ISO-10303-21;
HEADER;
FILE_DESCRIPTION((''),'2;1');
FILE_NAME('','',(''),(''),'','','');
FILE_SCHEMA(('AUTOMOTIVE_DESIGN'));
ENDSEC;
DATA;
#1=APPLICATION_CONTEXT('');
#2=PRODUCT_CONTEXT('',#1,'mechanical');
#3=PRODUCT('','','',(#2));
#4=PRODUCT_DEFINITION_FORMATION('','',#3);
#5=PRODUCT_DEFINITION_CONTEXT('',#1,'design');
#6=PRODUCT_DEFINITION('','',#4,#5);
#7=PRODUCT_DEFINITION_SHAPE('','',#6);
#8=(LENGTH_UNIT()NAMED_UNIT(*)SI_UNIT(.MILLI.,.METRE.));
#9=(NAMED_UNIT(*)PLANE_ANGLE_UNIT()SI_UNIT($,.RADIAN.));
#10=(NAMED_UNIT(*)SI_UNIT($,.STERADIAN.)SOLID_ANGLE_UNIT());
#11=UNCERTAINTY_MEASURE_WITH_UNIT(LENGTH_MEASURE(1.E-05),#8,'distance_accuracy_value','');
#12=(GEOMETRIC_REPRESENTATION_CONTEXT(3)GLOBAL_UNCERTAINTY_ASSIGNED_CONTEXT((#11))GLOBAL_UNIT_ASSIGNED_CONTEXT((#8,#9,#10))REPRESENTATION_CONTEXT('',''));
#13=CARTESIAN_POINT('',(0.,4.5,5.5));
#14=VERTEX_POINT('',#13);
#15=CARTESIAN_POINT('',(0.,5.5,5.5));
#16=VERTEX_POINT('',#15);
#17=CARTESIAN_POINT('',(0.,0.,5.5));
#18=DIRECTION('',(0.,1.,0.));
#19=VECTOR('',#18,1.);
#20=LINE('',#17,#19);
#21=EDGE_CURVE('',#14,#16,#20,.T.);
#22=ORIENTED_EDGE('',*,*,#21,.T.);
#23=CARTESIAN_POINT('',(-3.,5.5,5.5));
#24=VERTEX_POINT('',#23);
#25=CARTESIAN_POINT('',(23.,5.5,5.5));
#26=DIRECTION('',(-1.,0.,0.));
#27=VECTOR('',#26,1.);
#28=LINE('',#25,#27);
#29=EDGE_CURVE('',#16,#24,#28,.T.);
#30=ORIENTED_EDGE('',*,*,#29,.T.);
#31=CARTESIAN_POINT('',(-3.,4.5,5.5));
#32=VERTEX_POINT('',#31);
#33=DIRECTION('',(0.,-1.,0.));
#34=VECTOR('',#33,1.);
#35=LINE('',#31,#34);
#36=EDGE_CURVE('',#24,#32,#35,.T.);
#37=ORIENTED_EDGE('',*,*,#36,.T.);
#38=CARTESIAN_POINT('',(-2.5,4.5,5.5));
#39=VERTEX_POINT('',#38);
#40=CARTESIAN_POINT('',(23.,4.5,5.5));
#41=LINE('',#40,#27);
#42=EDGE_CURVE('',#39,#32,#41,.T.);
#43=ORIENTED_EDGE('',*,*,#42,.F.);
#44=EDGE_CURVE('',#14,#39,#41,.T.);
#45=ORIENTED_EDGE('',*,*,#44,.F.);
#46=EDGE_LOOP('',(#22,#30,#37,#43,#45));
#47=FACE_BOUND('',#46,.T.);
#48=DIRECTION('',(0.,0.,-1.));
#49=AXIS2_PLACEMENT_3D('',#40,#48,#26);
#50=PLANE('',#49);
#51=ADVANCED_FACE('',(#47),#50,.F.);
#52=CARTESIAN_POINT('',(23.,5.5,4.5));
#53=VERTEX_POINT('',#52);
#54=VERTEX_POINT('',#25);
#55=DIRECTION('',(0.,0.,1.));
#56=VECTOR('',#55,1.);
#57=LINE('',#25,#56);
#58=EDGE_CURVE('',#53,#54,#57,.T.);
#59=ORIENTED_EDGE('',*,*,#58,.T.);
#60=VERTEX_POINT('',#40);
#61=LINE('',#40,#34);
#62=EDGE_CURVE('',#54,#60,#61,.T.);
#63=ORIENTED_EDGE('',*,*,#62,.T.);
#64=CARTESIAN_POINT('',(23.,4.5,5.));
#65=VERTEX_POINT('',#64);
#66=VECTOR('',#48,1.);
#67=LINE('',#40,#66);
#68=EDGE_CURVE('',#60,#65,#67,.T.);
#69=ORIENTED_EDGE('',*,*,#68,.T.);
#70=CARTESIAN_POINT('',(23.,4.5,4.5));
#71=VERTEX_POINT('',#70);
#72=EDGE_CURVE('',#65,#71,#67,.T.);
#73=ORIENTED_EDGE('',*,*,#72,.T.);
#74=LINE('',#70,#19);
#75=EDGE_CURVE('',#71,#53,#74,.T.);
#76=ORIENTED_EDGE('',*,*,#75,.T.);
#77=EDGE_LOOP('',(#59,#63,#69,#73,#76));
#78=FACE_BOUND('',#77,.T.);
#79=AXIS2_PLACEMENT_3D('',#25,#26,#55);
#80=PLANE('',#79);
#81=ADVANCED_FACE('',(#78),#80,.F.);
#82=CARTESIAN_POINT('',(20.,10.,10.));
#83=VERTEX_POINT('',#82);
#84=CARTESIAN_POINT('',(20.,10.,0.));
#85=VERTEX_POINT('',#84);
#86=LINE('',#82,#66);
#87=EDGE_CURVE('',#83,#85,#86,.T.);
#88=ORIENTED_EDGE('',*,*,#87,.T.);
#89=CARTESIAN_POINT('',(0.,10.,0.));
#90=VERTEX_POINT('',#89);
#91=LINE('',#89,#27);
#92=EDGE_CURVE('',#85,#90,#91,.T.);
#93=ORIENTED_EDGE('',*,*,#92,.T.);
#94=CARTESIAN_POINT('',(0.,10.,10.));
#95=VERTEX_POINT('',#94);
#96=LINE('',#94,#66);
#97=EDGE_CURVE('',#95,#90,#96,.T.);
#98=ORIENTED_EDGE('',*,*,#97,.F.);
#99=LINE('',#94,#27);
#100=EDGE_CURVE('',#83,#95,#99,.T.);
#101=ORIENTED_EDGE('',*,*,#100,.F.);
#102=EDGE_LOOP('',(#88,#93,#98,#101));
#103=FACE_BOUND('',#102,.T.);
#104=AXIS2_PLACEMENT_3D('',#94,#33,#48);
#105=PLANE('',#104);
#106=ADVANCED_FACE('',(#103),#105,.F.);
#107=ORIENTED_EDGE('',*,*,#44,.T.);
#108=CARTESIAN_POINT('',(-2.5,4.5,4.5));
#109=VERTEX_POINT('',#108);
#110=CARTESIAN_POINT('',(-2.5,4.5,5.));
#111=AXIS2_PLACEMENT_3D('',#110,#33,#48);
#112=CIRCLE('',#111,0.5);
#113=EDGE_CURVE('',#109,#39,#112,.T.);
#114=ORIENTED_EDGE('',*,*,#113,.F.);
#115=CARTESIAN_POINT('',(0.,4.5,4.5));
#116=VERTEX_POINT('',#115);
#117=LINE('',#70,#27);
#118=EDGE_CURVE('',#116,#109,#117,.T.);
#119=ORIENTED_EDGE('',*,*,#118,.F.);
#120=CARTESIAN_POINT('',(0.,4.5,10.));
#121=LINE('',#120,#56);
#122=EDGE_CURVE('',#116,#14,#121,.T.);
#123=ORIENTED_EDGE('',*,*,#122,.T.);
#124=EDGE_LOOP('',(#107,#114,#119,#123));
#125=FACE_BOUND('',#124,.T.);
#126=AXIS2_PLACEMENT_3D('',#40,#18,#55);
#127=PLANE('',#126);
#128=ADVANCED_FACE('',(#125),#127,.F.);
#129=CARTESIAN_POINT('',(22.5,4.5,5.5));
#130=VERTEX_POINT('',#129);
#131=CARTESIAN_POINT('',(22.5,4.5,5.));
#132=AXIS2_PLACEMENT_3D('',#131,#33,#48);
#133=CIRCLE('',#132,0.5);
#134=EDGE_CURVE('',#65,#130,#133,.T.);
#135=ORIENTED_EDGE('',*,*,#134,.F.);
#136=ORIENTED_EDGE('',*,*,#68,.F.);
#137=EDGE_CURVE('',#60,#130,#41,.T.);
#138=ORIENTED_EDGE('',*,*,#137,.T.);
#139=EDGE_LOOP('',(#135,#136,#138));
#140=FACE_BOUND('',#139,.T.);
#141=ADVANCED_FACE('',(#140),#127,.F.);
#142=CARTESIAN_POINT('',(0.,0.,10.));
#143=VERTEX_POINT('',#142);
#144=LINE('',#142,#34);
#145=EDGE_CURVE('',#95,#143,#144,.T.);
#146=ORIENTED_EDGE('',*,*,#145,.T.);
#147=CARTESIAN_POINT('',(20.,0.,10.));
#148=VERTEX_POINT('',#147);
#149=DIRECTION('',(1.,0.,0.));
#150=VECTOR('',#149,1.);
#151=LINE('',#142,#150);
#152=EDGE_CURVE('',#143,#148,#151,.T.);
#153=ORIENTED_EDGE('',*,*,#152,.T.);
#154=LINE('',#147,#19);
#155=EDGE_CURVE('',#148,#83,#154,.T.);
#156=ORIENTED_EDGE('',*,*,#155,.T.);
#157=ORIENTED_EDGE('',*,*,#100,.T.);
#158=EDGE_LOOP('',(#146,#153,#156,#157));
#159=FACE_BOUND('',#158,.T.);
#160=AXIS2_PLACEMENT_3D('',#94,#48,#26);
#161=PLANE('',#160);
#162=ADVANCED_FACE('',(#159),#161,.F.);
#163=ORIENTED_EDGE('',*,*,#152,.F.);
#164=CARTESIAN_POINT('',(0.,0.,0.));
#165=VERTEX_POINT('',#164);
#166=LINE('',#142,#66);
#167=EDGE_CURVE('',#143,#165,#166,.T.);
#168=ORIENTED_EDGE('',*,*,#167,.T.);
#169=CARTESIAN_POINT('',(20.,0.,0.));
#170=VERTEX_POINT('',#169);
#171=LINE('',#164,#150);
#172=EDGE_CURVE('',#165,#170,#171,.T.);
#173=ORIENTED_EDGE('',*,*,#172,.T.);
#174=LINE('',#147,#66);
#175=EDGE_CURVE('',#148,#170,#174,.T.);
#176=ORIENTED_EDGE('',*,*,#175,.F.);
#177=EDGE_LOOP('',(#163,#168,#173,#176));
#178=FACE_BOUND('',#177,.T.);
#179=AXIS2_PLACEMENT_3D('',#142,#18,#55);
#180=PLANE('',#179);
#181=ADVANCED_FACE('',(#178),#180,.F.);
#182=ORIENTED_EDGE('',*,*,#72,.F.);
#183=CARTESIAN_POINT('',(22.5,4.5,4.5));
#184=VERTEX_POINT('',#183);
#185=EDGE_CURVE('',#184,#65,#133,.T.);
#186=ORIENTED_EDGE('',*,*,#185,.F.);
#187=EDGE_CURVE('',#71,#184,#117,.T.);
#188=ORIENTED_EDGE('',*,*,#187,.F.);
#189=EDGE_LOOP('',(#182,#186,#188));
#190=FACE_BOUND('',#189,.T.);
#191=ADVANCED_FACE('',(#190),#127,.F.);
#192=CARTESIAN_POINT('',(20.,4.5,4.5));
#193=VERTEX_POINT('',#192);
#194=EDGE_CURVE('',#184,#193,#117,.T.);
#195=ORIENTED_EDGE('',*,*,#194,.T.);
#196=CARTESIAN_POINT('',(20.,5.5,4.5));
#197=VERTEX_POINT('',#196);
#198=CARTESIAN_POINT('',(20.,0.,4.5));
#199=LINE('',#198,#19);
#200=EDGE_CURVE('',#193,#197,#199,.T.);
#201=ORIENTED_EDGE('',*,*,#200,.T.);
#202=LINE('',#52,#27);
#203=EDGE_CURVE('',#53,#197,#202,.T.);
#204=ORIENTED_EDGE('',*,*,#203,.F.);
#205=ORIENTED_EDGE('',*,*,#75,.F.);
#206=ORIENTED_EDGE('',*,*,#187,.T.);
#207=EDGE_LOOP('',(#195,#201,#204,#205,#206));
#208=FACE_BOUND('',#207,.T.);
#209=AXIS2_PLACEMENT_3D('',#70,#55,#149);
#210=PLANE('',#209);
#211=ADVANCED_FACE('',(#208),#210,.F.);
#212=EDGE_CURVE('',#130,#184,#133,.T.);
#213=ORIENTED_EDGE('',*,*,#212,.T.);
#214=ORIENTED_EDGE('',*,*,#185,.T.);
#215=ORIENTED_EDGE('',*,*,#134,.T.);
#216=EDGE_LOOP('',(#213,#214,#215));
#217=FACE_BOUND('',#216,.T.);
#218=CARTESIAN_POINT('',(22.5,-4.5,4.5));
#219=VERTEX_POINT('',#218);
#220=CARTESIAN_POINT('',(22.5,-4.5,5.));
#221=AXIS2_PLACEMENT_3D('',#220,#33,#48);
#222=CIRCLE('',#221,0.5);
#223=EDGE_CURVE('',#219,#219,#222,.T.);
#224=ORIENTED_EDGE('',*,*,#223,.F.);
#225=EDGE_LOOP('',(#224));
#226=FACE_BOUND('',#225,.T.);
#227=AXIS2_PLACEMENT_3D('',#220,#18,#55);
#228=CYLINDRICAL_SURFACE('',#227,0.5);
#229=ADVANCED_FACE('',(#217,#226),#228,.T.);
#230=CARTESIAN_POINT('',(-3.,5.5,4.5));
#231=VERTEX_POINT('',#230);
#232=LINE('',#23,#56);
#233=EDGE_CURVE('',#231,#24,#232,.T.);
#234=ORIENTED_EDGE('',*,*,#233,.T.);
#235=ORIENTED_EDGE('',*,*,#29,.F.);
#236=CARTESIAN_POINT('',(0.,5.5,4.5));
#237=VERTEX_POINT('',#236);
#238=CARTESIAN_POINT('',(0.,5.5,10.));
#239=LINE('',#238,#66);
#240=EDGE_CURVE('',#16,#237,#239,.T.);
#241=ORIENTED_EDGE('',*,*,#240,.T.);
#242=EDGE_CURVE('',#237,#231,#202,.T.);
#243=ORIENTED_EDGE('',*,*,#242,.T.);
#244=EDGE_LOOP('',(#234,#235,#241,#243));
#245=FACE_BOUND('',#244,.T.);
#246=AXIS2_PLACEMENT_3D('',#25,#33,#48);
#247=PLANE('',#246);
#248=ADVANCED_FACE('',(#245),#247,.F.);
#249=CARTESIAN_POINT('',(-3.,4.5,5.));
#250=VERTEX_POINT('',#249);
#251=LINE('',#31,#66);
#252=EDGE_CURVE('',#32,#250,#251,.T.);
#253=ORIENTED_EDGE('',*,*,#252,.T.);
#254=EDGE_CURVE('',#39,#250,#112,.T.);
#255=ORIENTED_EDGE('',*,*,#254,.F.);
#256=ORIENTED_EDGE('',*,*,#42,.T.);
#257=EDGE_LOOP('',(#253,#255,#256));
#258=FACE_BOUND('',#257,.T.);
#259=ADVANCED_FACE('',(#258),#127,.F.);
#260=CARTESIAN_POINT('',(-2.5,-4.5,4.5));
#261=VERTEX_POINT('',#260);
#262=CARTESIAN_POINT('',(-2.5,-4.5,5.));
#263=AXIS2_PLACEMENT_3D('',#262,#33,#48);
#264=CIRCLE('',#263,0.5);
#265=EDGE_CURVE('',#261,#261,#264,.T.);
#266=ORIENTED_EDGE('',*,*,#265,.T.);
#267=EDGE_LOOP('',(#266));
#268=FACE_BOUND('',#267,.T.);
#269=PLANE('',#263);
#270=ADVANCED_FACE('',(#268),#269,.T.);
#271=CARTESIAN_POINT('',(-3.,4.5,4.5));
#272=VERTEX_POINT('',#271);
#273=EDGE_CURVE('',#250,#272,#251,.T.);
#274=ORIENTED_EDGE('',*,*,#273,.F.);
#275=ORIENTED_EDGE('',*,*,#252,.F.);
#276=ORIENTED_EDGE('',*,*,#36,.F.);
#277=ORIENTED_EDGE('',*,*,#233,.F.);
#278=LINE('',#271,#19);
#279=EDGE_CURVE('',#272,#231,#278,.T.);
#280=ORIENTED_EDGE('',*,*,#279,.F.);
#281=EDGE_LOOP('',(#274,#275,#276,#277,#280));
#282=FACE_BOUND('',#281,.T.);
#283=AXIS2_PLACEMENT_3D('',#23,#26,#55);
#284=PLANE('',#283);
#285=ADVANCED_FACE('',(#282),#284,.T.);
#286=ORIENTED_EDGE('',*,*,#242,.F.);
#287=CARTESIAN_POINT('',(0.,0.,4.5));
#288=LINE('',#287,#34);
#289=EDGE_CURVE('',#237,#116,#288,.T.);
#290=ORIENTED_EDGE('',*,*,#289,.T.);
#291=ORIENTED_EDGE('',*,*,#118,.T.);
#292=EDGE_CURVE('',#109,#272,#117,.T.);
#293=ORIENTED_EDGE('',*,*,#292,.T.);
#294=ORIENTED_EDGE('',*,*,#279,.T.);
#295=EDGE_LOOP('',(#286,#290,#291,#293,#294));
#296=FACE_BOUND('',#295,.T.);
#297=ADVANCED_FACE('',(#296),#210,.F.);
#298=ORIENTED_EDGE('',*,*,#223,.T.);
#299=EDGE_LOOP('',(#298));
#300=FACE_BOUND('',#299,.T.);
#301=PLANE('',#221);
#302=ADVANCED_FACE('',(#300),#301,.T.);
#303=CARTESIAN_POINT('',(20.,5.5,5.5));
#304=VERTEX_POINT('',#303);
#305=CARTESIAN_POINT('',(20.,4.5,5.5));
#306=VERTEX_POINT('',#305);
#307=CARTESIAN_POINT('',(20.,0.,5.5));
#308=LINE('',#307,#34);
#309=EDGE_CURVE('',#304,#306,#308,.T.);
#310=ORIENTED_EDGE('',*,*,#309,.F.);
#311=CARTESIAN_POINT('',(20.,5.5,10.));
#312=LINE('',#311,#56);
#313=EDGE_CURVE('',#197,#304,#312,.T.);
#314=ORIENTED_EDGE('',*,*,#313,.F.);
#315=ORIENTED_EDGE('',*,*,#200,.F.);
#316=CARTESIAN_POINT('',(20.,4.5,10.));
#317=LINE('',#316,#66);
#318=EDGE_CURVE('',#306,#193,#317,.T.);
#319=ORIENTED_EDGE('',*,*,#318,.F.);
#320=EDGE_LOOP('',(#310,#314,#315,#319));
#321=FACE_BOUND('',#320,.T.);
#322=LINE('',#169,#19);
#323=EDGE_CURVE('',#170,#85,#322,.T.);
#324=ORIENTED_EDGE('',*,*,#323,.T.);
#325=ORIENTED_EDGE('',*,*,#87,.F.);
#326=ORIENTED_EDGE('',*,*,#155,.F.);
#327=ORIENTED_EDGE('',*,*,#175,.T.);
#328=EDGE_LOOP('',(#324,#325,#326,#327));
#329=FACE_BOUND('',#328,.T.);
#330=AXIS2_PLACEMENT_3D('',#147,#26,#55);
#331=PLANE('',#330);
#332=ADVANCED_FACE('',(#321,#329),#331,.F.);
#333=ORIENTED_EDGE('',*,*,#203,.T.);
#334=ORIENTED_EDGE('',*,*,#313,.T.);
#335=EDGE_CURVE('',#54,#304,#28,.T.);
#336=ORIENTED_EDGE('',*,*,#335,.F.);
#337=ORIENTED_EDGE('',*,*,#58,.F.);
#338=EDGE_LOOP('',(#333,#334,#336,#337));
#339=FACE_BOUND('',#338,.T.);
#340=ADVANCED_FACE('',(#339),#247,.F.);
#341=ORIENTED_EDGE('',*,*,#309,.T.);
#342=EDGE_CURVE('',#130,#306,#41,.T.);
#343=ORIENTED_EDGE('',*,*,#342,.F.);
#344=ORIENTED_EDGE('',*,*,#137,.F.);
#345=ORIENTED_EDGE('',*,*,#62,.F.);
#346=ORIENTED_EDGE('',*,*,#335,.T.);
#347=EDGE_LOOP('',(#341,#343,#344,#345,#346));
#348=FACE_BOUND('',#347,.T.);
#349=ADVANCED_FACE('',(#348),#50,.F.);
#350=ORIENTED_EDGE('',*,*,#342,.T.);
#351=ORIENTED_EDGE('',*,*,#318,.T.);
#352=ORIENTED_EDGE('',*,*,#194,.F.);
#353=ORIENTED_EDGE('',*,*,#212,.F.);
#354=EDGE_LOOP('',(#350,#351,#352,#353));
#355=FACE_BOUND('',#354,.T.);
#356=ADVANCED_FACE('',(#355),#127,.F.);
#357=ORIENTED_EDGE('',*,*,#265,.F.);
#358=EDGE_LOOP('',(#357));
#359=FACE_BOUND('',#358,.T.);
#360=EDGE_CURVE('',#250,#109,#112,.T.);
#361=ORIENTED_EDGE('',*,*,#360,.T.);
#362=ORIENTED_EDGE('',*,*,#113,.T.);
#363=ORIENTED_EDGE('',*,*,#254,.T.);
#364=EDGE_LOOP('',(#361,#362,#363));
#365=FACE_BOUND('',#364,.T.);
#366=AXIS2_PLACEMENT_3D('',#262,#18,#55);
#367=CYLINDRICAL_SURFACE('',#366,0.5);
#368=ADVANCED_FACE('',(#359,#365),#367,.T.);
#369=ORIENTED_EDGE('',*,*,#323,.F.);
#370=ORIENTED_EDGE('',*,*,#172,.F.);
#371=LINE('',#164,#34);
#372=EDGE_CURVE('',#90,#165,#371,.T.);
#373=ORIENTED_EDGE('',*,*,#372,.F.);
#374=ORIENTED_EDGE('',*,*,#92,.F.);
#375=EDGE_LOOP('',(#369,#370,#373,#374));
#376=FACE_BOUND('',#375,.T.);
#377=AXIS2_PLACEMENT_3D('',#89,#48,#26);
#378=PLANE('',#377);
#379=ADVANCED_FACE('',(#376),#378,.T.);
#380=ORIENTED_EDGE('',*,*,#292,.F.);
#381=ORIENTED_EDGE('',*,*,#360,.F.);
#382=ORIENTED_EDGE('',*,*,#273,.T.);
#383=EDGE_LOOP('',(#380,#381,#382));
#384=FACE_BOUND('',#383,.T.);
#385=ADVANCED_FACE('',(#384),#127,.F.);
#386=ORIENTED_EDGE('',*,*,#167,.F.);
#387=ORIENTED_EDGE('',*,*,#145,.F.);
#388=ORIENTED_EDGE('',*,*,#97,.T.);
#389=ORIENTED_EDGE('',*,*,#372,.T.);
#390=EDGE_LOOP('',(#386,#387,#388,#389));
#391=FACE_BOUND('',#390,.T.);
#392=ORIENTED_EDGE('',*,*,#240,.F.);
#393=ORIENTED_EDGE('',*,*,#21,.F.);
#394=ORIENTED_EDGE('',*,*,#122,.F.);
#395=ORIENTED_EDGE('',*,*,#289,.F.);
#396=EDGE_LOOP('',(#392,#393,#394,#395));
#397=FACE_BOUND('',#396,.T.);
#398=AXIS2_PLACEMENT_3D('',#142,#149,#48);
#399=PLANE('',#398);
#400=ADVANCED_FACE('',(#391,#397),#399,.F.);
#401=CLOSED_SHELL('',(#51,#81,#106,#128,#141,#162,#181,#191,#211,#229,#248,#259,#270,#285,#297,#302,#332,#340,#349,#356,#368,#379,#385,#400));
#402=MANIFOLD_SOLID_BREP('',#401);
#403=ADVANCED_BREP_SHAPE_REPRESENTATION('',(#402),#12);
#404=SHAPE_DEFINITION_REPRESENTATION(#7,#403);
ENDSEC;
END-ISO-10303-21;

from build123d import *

# Parameters (mm, degrees)
SKETCH_1_W           = 20
SKETCH_1_H           = 10
EXTRUDE_1_DEPTH      = 10
EXTRUDE_2_DEPTH      = 3
EXTRUDE_2_DEPTH_BACK = 23
SKETCH_2_W           = 1
SKETCH_2_H           = 1
SKETCH_3_R           = 0.5
EXTRUDE_3_DEPTH      = 9


with BuildPart() as part:
    # Эскиз1 → Вытянуть1 (new body)
    with BuildSketch(Plane.XY):
        with Locations((10, 5)):
            Rectangle(SKETCH_1_W, SKETCH_1_H)
    extrude(amount=EXTRUDE_1_DEPTH)

    # Эскиз2 → Вытянуть2 (add, two sides: drawn at the far end of the back side and taken through both)
    with BuildSketch(Plane(origin=(20, 0, 0), x_dir=(0, 0, -1), z_dir=(1, 0, 0)).offset(-EXTRUDE_2_DEPTH_BACK)):
        with Locations((-5, 5)):
            Rectangle(SKETCH_2_W, SKETCH_2_H)
    extrude(amount=EXTRUDE_2_DEPTH + EXTRUDE_2_DEPTH_BACK)

    # Эскиз3 → Вытянуть3 (add)
    with BuildSketch(Plane.XZ.offset(-4.5)):
        with Locations((-2.5, 5)):
            Circle(SKETCH_3_R)
        with Locations((22.5, 5)):
            Circle(SKETCH_3_R)
    extrude(amount=EXTRUDE_3_DEPTH)


solid = part.part
